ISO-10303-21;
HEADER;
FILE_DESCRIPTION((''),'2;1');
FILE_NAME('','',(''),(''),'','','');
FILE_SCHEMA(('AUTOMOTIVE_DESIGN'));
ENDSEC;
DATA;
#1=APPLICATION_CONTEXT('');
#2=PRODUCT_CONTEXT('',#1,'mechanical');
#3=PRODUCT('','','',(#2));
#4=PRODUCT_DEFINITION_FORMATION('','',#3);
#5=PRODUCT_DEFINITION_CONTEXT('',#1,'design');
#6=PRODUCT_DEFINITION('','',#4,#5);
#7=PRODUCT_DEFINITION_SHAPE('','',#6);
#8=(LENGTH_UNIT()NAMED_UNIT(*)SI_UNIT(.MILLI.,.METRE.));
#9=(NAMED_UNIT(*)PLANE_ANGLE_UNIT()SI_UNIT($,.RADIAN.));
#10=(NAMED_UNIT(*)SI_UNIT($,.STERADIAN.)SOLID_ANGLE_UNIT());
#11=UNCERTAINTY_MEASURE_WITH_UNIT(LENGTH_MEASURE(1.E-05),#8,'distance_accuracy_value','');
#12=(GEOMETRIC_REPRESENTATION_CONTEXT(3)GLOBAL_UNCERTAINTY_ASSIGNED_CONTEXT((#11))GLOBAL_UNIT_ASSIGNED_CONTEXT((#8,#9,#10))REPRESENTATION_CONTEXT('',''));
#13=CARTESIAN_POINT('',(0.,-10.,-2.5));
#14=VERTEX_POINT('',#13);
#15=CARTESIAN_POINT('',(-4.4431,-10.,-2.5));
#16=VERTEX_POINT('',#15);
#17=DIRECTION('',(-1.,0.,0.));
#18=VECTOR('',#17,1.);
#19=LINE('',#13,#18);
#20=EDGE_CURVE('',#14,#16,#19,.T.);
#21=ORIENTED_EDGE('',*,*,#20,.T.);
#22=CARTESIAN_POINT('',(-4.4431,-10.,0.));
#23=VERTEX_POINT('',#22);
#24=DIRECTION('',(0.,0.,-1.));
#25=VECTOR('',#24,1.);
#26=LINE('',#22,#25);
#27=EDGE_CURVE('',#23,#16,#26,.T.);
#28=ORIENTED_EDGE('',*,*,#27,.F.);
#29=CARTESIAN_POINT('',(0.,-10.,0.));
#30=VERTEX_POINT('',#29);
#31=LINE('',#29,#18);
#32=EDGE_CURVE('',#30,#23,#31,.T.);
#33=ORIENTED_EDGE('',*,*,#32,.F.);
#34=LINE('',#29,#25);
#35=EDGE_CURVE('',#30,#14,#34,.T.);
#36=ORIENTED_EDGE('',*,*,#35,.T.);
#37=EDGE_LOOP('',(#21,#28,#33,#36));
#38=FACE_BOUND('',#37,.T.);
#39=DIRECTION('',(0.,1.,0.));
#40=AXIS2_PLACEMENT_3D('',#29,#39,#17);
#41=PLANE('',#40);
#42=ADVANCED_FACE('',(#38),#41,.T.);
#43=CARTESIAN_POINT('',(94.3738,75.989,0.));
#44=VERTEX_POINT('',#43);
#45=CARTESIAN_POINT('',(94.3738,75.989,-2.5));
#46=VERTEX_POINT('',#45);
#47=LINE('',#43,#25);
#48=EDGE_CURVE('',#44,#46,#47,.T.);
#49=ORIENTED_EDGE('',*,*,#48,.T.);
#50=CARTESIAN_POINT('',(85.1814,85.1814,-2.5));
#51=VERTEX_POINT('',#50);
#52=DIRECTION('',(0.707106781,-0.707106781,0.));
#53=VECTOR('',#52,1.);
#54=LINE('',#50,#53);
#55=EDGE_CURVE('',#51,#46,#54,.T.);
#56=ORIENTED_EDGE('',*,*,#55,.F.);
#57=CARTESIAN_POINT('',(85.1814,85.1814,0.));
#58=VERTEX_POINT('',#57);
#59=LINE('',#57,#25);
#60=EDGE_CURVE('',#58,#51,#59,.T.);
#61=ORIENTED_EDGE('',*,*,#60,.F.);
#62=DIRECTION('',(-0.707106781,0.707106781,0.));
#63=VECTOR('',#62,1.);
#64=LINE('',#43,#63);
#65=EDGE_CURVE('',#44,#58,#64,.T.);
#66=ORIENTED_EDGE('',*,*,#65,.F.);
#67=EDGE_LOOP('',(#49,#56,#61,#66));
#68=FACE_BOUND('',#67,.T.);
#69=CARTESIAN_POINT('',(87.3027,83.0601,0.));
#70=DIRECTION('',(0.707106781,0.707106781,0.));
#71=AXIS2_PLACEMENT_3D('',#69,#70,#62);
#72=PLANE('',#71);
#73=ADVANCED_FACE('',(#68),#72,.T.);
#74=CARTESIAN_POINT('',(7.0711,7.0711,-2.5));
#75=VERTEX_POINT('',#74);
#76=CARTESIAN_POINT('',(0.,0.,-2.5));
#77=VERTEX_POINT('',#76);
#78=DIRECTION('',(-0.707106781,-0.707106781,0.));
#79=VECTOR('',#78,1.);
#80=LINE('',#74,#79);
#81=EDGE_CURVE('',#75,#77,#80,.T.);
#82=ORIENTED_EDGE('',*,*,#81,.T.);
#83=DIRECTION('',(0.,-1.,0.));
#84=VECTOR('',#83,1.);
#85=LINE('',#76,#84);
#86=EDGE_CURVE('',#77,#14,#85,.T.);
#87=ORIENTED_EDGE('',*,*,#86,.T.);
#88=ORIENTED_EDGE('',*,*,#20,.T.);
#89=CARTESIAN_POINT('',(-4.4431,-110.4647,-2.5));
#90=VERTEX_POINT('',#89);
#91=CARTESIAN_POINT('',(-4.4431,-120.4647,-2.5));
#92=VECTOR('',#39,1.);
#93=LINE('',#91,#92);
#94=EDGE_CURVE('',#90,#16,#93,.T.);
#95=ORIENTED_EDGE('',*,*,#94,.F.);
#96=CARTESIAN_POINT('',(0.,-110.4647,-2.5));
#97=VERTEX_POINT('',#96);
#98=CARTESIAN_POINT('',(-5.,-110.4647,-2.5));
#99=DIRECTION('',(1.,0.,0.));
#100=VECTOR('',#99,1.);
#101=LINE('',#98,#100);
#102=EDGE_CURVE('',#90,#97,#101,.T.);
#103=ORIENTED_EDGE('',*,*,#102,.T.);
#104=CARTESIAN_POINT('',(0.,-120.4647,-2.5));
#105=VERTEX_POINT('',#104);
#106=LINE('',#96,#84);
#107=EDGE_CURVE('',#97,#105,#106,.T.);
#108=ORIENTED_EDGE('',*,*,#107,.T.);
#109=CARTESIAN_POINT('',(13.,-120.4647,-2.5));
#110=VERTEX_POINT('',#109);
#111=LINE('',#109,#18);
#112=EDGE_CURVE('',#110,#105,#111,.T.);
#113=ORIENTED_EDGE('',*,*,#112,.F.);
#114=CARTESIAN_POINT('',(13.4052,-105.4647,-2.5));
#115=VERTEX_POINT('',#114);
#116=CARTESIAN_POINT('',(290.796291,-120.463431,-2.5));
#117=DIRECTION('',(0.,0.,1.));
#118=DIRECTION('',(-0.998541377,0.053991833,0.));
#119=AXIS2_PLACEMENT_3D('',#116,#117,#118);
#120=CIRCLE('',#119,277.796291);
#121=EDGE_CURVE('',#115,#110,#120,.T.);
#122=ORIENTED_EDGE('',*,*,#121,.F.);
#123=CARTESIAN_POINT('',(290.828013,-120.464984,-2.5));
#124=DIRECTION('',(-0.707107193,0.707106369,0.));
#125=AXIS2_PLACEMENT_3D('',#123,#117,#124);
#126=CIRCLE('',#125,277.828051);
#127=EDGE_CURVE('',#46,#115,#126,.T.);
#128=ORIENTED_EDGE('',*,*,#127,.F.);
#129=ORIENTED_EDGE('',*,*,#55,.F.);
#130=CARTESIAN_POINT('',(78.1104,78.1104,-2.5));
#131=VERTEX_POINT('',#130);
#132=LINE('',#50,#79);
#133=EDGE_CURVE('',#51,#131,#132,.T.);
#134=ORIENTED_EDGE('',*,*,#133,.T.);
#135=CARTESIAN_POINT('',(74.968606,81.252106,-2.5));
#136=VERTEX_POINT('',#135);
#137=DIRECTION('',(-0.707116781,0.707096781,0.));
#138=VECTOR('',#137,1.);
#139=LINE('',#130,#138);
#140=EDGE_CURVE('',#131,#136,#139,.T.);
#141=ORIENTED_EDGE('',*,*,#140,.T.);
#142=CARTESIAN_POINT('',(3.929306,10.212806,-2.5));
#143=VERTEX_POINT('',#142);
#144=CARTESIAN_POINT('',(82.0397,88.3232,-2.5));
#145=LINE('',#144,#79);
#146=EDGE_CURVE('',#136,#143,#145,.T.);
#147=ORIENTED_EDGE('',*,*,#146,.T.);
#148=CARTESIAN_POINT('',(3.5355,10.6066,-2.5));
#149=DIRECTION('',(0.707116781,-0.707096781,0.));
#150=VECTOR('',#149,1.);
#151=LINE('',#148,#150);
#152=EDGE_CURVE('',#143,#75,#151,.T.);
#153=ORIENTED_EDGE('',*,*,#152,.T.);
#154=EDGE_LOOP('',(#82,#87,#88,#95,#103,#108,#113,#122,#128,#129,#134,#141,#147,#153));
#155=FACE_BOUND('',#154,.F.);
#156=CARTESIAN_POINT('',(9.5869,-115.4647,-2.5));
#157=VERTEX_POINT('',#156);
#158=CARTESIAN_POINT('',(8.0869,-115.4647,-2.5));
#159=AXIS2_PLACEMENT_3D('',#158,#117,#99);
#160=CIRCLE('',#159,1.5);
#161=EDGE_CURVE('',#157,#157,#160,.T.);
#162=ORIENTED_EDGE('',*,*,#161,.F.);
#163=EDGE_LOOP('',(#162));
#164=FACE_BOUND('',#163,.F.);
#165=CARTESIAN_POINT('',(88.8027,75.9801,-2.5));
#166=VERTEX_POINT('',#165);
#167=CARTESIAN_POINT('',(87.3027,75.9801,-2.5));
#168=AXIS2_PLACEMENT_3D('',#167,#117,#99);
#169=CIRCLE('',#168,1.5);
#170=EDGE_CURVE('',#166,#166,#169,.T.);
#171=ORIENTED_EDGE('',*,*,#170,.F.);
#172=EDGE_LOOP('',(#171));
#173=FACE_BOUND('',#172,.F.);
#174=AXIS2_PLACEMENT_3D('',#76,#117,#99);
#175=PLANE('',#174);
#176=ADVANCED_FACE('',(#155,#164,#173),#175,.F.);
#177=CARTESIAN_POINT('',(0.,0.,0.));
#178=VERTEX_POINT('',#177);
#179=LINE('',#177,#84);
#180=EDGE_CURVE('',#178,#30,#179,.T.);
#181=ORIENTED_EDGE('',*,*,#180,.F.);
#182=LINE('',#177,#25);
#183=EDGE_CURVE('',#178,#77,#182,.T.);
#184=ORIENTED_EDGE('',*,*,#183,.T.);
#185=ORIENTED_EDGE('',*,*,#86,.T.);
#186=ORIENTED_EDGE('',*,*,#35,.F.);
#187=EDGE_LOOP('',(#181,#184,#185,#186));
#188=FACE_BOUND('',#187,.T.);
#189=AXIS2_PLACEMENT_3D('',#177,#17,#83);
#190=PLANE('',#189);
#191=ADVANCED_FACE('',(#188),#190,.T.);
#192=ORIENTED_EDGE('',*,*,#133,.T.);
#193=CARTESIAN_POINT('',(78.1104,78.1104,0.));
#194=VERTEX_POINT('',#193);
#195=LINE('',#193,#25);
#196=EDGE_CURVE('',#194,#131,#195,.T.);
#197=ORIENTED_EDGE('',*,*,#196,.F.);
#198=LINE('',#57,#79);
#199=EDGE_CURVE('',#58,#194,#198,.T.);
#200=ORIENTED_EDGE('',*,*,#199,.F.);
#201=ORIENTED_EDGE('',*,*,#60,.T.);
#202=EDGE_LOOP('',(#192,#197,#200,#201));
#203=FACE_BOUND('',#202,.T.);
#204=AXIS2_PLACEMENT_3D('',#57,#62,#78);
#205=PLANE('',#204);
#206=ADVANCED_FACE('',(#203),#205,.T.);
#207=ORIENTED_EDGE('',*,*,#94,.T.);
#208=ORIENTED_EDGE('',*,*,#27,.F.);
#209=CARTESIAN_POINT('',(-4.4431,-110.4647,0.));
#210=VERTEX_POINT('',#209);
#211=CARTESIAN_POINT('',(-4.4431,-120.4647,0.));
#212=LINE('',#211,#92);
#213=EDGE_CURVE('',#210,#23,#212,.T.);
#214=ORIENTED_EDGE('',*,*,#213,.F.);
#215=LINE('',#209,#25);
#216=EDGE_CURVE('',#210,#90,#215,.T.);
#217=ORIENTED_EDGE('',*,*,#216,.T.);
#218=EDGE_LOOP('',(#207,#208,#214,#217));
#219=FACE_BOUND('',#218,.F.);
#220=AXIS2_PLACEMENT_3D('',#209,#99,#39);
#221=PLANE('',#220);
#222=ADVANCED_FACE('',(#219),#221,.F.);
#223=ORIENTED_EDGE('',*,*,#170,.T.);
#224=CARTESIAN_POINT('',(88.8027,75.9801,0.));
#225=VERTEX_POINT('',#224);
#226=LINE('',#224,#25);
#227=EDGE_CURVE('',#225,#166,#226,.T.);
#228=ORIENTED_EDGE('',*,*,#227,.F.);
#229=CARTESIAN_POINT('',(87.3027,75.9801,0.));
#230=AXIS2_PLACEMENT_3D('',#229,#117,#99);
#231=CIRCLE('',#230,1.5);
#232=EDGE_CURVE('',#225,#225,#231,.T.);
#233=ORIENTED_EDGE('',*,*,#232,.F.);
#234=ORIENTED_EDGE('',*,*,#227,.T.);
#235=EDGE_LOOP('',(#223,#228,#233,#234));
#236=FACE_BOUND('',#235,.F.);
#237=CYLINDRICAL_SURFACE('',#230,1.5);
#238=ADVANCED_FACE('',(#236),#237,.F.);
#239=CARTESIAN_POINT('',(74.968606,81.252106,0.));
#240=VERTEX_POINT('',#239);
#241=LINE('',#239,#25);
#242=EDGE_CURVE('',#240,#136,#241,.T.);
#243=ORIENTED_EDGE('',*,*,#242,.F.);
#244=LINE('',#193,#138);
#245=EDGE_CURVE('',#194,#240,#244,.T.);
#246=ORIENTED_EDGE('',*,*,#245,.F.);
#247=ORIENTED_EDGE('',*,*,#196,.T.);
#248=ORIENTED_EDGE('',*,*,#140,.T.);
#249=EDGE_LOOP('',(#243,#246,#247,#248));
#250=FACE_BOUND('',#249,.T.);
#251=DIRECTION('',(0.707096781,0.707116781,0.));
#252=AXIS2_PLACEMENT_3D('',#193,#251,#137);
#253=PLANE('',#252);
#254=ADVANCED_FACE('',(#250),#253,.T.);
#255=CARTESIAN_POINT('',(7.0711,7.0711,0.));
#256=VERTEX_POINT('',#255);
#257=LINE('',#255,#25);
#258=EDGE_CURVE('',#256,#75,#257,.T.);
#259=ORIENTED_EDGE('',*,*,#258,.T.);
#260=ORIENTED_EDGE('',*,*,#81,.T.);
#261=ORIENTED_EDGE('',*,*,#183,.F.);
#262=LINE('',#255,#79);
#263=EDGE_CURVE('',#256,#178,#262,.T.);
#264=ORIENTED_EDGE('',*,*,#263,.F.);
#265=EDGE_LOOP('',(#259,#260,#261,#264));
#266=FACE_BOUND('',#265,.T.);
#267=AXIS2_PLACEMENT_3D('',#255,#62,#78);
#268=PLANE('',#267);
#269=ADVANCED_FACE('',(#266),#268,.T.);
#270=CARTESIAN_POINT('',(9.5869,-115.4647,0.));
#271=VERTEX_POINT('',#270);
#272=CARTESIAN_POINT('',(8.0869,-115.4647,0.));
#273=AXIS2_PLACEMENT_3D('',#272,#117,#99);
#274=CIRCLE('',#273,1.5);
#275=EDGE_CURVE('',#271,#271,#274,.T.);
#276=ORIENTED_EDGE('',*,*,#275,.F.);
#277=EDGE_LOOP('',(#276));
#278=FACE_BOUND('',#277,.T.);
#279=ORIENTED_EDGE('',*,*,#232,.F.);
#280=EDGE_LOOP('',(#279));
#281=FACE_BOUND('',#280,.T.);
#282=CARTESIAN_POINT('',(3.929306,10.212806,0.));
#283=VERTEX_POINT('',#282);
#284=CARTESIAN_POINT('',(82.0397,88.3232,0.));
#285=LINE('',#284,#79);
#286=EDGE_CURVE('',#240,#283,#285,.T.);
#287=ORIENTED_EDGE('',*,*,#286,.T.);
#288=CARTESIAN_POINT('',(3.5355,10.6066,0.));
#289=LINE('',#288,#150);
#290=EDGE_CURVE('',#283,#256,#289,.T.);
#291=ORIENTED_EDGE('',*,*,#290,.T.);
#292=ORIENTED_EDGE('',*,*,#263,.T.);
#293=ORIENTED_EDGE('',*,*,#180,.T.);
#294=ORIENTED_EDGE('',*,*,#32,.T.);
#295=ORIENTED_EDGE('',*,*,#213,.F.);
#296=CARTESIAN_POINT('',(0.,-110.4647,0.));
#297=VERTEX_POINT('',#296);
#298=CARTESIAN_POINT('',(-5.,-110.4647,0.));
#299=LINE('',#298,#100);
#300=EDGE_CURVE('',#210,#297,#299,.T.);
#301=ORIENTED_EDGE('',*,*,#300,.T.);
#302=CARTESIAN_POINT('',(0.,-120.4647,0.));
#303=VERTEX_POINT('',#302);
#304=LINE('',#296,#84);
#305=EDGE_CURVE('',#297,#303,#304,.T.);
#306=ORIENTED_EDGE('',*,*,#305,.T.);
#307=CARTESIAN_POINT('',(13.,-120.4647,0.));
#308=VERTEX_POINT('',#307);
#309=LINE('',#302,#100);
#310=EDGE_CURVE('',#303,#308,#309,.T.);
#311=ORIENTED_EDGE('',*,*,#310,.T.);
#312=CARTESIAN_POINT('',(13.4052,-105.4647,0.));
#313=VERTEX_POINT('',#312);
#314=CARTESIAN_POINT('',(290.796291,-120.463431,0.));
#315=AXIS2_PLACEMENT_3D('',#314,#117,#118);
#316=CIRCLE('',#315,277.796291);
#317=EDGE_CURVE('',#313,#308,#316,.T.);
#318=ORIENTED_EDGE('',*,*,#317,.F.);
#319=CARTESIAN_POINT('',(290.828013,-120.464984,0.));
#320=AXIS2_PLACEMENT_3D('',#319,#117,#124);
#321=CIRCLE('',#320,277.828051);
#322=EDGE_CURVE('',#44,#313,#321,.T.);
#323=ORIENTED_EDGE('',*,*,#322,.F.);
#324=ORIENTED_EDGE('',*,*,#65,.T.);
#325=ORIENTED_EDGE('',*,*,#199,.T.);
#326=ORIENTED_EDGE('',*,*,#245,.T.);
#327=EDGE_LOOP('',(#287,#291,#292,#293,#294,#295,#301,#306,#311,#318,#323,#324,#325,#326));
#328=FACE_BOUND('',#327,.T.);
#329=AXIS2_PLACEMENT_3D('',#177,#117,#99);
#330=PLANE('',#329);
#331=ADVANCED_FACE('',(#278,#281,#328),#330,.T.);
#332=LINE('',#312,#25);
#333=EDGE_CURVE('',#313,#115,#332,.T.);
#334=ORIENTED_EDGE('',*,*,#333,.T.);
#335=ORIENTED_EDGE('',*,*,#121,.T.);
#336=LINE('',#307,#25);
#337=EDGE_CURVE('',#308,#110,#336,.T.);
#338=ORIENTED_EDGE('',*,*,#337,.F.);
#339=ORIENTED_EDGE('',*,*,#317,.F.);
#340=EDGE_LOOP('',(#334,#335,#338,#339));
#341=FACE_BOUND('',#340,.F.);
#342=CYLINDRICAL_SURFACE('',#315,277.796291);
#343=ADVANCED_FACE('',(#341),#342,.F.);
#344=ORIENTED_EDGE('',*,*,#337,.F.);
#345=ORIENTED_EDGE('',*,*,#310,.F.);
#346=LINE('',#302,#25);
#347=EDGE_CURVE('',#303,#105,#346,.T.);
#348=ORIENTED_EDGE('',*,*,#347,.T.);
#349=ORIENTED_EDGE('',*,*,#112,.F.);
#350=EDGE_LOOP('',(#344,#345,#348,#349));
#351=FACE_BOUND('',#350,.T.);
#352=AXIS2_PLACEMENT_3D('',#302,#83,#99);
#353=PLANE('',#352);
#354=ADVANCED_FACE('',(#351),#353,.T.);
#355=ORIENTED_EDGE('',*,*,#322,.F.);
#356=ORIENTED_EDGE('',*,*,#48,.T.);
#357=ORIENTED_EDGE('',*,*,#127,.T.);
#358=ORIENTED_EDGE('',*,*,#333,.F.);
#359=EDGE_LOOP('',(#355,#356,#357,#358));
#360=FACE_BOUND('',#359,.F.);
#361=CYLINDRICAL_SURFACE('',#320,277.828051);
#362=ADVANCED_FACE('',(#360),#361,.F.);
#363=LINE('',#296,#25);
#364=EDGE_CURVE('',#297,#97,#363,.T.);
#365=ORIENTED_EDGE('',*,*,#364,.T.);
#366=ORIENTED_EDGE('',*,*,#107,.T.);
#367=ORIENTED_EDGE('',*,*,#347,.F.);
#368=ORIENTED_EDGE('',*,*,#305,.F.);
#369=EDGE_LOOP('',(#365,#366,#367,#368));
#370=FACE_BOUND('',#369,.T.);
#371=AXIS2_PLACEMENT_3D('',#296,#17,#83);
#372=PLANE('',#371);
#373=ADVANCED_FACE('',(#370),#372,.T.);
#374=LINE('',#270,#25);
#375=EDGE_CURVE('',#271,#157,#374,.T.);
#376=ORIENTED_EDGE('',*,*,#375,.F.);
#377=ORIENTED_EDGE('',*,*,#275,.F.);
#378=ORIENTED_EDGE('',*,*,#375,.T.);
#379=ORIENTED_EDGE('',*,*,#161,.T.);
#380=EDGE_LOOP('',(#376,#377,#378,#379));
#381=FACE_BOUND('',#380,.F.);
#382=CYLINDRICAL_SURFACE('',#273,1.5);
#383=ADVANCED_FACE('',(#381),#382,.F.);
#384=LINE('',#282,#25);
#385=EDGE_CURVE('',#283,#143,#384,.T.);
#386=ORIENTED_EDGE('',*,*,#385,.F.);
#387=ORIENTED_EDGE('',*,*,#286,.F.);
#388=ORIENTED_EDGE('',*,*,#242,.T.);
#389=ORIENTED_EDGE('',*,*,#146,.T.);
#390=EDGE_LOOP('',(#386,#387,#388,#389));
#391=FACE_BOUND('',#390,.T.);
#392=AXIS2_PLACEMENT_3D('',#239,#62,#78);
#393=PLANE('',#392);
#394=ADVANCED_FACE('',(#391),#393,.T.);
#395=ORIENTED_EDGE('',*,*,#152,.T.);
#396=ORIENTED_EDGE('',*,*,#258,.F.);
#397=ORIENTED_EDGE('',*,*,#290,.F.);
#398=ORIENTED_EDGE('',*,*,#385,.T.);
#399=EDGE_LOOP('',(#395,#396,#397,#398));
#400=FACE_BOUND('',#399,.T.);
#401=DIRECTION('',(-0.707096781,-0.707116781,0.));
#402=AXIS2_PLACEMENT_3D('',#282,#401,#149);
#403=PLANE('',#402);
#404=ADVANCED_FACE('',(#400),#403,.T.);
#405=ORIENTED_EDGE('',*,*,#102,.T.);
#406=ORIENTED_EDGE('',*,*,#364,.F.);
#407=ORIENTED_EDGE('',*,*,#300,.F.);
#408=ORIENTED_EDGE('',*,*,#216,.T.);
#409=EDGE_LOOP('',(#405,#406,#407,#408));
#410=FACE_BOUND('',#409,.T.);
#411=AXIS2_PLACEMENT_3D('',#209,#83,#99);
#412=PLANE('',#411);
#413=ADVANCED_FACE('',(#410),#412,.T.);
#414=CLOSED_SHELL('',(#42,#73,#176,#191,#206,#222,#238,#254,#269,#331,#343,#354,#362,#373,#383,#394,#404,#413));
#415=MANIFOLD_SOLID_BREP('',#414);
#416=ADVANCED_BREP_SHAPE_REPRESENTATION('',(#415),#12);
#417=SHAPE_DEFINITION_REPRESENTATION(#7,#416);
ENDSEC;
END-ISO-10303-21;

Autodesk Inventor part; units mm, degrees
ref_plane "YZ Plane" through (0, 0, 0) normal (1, 0, 0) x (0, 1, 0)
ref_plane "XZ Plane" through (0, 0, 0) normal (0, 1, 0) x (-1, 0, 0)
ref_plane "XY Plane" through (0, 0, 0) normal (0, 0, 1) x (1, 0, 0)
sketch "スケッチ1" plane through (0, 0, 0) normal (0, 0, 1) x (1, 0, 0)
  line L0 (-5, 0) -> (0, 0) projected
  line L1 (-5, 0) -> (-5, -10) projected
  line L2 (0, -10) -> (-5, -10) projected
  line L3 (0, 0) -> (0, -10) projected
  line L4 (3.5355, 10.6066) -> (7.0711, 7.0711) projected
  line L5 (3.5355, 10.6066) -> (-3.5355, 3.5355) projected
  line L6 (0, 0) -> (-3.5355, 3.5355) projected
  line L7 (7.0711, 7.0711) -> (0, 0) projected
  line L8 (81.6459, 88.717) -> (85.1814, 85.1814) projected
  line L9 (81.6459, 88.717) -> (74.5748, 81.6459) projected
  line L10 (78.1104, 78.1104) -> (74.5748, 81.6459) projected
  line L11 (85.1814, 85.1814) -> (78.1104, 78.1104) projected
  line L12 (-5, -110.4647) -> (0, -110.4647) projected
  line L13 (-5, -110.4647) -> (-5, -120.4647) projected
  line L14 (0, -120.4647) -> (-5, -120.4647) projected
  line L15 (0, -110.4647) -> (0, -120.4647) projected
  line L16 (-4.4431, -120.4647) -> (-4.4431, 1.8404) projected
  line L17 (82.0397, 88.3232) -> (-4.4431, 1.8404) projected
  line L18 (60.4198, 56.1771) -> (5.0711, 0.8284) projected
  line L19 (5.0711, 0.8284) -> (23.6471, -6.866) projected
  arc A0 (60.4198, 56.1771) -> (23.6471, -6.866) centre (290.8276, -120.4647) ccw projected
  line L20 (94.3738, 75.989) -> (87.3027, 83.0601) projected
  arc A1 (87.3027, 83.0601) -> (3, -120.4647) centre (290.8276, -120.4647) ccw projected
  line L21 (13, -120.4647) -> (3, -120.4647) projected
  arc A2 (13.4052, -105.4647) -> (13, -120.4647) centre (290.8276, -120.4647) ccw projected
  arc A3 (94.3738, 75.989) -> (13.4052, -105.4647) centre (290.8276, -120.4647) ccw projected
  line L22 (85.1814, 85.1814) -> (0, 0) projected
  line L23 (0, 0) -> (0, -120.4647) projected
  line L24 (0, -120.4647) -> (3, -120.4647) projected
  arc A4 (87.3027, 83.0601) -> (3, -120.4647) centre (290.8276, -120.4647) ccw projected
  line L25 (87.3027, 83.0601) -> (85.1814, 85.1814) projected
  line L26 (3, -4.1716) -> (21.576, -11.866) projected
  arc A5 (21.576, -11.866) -> (3, -82.4465) centre (290.8276, -120.4647) ccw projected
  line L27 (3, -82.4465) -> (3, -4.1716) projected
  arc A6 (60.4198, 56.1771) -> (23.6471, -6.866) centre (290.8276, -120.4647) ccw projected
  line L28 (23.6471, -6.866) -> (5.0711, 0.8284) projected
  line L29 (5.0711, 0.8284) -> (60.4198, 56.1771) projected
  point P0 (74.9686, 81.2521)
  point P1 (3.9293, 10.2128)
  point P2 (-4.4431, -10)
  point P3 (-4.4431, -110.4647)
  point P4 (-3.1417, 3.1417)
  point P5 (-4.4431, 0)
  point P6 (0, -120.4647)
extrude "押し出し1" add sketch "スケッチ1" against normal blind 2.5 contours L7 L22 L11 L25 A1 L24 L15 L23 L3 | L2 L23 L12 L16 | L4 L17 L10 L22 | A1 L20 A3 A2 L21 | A0 L19 L18 | L26 A5 L27
sketch "スケッチ2" plane through (0, 0, 0) normal (0, 0, 1) x (1, 0, 0)
  circle A0 centre (8.0869, -115.4647) radius 1.5
  circle A1 centre (87.3027, 75.9801) radius 1.5
  point P0 (0, 0)
extrude "押し出し2" cut sketch "スケッチ2" against normal blind 10
properties part number "Spcer_curve" material "木材 (カエデ材)"
